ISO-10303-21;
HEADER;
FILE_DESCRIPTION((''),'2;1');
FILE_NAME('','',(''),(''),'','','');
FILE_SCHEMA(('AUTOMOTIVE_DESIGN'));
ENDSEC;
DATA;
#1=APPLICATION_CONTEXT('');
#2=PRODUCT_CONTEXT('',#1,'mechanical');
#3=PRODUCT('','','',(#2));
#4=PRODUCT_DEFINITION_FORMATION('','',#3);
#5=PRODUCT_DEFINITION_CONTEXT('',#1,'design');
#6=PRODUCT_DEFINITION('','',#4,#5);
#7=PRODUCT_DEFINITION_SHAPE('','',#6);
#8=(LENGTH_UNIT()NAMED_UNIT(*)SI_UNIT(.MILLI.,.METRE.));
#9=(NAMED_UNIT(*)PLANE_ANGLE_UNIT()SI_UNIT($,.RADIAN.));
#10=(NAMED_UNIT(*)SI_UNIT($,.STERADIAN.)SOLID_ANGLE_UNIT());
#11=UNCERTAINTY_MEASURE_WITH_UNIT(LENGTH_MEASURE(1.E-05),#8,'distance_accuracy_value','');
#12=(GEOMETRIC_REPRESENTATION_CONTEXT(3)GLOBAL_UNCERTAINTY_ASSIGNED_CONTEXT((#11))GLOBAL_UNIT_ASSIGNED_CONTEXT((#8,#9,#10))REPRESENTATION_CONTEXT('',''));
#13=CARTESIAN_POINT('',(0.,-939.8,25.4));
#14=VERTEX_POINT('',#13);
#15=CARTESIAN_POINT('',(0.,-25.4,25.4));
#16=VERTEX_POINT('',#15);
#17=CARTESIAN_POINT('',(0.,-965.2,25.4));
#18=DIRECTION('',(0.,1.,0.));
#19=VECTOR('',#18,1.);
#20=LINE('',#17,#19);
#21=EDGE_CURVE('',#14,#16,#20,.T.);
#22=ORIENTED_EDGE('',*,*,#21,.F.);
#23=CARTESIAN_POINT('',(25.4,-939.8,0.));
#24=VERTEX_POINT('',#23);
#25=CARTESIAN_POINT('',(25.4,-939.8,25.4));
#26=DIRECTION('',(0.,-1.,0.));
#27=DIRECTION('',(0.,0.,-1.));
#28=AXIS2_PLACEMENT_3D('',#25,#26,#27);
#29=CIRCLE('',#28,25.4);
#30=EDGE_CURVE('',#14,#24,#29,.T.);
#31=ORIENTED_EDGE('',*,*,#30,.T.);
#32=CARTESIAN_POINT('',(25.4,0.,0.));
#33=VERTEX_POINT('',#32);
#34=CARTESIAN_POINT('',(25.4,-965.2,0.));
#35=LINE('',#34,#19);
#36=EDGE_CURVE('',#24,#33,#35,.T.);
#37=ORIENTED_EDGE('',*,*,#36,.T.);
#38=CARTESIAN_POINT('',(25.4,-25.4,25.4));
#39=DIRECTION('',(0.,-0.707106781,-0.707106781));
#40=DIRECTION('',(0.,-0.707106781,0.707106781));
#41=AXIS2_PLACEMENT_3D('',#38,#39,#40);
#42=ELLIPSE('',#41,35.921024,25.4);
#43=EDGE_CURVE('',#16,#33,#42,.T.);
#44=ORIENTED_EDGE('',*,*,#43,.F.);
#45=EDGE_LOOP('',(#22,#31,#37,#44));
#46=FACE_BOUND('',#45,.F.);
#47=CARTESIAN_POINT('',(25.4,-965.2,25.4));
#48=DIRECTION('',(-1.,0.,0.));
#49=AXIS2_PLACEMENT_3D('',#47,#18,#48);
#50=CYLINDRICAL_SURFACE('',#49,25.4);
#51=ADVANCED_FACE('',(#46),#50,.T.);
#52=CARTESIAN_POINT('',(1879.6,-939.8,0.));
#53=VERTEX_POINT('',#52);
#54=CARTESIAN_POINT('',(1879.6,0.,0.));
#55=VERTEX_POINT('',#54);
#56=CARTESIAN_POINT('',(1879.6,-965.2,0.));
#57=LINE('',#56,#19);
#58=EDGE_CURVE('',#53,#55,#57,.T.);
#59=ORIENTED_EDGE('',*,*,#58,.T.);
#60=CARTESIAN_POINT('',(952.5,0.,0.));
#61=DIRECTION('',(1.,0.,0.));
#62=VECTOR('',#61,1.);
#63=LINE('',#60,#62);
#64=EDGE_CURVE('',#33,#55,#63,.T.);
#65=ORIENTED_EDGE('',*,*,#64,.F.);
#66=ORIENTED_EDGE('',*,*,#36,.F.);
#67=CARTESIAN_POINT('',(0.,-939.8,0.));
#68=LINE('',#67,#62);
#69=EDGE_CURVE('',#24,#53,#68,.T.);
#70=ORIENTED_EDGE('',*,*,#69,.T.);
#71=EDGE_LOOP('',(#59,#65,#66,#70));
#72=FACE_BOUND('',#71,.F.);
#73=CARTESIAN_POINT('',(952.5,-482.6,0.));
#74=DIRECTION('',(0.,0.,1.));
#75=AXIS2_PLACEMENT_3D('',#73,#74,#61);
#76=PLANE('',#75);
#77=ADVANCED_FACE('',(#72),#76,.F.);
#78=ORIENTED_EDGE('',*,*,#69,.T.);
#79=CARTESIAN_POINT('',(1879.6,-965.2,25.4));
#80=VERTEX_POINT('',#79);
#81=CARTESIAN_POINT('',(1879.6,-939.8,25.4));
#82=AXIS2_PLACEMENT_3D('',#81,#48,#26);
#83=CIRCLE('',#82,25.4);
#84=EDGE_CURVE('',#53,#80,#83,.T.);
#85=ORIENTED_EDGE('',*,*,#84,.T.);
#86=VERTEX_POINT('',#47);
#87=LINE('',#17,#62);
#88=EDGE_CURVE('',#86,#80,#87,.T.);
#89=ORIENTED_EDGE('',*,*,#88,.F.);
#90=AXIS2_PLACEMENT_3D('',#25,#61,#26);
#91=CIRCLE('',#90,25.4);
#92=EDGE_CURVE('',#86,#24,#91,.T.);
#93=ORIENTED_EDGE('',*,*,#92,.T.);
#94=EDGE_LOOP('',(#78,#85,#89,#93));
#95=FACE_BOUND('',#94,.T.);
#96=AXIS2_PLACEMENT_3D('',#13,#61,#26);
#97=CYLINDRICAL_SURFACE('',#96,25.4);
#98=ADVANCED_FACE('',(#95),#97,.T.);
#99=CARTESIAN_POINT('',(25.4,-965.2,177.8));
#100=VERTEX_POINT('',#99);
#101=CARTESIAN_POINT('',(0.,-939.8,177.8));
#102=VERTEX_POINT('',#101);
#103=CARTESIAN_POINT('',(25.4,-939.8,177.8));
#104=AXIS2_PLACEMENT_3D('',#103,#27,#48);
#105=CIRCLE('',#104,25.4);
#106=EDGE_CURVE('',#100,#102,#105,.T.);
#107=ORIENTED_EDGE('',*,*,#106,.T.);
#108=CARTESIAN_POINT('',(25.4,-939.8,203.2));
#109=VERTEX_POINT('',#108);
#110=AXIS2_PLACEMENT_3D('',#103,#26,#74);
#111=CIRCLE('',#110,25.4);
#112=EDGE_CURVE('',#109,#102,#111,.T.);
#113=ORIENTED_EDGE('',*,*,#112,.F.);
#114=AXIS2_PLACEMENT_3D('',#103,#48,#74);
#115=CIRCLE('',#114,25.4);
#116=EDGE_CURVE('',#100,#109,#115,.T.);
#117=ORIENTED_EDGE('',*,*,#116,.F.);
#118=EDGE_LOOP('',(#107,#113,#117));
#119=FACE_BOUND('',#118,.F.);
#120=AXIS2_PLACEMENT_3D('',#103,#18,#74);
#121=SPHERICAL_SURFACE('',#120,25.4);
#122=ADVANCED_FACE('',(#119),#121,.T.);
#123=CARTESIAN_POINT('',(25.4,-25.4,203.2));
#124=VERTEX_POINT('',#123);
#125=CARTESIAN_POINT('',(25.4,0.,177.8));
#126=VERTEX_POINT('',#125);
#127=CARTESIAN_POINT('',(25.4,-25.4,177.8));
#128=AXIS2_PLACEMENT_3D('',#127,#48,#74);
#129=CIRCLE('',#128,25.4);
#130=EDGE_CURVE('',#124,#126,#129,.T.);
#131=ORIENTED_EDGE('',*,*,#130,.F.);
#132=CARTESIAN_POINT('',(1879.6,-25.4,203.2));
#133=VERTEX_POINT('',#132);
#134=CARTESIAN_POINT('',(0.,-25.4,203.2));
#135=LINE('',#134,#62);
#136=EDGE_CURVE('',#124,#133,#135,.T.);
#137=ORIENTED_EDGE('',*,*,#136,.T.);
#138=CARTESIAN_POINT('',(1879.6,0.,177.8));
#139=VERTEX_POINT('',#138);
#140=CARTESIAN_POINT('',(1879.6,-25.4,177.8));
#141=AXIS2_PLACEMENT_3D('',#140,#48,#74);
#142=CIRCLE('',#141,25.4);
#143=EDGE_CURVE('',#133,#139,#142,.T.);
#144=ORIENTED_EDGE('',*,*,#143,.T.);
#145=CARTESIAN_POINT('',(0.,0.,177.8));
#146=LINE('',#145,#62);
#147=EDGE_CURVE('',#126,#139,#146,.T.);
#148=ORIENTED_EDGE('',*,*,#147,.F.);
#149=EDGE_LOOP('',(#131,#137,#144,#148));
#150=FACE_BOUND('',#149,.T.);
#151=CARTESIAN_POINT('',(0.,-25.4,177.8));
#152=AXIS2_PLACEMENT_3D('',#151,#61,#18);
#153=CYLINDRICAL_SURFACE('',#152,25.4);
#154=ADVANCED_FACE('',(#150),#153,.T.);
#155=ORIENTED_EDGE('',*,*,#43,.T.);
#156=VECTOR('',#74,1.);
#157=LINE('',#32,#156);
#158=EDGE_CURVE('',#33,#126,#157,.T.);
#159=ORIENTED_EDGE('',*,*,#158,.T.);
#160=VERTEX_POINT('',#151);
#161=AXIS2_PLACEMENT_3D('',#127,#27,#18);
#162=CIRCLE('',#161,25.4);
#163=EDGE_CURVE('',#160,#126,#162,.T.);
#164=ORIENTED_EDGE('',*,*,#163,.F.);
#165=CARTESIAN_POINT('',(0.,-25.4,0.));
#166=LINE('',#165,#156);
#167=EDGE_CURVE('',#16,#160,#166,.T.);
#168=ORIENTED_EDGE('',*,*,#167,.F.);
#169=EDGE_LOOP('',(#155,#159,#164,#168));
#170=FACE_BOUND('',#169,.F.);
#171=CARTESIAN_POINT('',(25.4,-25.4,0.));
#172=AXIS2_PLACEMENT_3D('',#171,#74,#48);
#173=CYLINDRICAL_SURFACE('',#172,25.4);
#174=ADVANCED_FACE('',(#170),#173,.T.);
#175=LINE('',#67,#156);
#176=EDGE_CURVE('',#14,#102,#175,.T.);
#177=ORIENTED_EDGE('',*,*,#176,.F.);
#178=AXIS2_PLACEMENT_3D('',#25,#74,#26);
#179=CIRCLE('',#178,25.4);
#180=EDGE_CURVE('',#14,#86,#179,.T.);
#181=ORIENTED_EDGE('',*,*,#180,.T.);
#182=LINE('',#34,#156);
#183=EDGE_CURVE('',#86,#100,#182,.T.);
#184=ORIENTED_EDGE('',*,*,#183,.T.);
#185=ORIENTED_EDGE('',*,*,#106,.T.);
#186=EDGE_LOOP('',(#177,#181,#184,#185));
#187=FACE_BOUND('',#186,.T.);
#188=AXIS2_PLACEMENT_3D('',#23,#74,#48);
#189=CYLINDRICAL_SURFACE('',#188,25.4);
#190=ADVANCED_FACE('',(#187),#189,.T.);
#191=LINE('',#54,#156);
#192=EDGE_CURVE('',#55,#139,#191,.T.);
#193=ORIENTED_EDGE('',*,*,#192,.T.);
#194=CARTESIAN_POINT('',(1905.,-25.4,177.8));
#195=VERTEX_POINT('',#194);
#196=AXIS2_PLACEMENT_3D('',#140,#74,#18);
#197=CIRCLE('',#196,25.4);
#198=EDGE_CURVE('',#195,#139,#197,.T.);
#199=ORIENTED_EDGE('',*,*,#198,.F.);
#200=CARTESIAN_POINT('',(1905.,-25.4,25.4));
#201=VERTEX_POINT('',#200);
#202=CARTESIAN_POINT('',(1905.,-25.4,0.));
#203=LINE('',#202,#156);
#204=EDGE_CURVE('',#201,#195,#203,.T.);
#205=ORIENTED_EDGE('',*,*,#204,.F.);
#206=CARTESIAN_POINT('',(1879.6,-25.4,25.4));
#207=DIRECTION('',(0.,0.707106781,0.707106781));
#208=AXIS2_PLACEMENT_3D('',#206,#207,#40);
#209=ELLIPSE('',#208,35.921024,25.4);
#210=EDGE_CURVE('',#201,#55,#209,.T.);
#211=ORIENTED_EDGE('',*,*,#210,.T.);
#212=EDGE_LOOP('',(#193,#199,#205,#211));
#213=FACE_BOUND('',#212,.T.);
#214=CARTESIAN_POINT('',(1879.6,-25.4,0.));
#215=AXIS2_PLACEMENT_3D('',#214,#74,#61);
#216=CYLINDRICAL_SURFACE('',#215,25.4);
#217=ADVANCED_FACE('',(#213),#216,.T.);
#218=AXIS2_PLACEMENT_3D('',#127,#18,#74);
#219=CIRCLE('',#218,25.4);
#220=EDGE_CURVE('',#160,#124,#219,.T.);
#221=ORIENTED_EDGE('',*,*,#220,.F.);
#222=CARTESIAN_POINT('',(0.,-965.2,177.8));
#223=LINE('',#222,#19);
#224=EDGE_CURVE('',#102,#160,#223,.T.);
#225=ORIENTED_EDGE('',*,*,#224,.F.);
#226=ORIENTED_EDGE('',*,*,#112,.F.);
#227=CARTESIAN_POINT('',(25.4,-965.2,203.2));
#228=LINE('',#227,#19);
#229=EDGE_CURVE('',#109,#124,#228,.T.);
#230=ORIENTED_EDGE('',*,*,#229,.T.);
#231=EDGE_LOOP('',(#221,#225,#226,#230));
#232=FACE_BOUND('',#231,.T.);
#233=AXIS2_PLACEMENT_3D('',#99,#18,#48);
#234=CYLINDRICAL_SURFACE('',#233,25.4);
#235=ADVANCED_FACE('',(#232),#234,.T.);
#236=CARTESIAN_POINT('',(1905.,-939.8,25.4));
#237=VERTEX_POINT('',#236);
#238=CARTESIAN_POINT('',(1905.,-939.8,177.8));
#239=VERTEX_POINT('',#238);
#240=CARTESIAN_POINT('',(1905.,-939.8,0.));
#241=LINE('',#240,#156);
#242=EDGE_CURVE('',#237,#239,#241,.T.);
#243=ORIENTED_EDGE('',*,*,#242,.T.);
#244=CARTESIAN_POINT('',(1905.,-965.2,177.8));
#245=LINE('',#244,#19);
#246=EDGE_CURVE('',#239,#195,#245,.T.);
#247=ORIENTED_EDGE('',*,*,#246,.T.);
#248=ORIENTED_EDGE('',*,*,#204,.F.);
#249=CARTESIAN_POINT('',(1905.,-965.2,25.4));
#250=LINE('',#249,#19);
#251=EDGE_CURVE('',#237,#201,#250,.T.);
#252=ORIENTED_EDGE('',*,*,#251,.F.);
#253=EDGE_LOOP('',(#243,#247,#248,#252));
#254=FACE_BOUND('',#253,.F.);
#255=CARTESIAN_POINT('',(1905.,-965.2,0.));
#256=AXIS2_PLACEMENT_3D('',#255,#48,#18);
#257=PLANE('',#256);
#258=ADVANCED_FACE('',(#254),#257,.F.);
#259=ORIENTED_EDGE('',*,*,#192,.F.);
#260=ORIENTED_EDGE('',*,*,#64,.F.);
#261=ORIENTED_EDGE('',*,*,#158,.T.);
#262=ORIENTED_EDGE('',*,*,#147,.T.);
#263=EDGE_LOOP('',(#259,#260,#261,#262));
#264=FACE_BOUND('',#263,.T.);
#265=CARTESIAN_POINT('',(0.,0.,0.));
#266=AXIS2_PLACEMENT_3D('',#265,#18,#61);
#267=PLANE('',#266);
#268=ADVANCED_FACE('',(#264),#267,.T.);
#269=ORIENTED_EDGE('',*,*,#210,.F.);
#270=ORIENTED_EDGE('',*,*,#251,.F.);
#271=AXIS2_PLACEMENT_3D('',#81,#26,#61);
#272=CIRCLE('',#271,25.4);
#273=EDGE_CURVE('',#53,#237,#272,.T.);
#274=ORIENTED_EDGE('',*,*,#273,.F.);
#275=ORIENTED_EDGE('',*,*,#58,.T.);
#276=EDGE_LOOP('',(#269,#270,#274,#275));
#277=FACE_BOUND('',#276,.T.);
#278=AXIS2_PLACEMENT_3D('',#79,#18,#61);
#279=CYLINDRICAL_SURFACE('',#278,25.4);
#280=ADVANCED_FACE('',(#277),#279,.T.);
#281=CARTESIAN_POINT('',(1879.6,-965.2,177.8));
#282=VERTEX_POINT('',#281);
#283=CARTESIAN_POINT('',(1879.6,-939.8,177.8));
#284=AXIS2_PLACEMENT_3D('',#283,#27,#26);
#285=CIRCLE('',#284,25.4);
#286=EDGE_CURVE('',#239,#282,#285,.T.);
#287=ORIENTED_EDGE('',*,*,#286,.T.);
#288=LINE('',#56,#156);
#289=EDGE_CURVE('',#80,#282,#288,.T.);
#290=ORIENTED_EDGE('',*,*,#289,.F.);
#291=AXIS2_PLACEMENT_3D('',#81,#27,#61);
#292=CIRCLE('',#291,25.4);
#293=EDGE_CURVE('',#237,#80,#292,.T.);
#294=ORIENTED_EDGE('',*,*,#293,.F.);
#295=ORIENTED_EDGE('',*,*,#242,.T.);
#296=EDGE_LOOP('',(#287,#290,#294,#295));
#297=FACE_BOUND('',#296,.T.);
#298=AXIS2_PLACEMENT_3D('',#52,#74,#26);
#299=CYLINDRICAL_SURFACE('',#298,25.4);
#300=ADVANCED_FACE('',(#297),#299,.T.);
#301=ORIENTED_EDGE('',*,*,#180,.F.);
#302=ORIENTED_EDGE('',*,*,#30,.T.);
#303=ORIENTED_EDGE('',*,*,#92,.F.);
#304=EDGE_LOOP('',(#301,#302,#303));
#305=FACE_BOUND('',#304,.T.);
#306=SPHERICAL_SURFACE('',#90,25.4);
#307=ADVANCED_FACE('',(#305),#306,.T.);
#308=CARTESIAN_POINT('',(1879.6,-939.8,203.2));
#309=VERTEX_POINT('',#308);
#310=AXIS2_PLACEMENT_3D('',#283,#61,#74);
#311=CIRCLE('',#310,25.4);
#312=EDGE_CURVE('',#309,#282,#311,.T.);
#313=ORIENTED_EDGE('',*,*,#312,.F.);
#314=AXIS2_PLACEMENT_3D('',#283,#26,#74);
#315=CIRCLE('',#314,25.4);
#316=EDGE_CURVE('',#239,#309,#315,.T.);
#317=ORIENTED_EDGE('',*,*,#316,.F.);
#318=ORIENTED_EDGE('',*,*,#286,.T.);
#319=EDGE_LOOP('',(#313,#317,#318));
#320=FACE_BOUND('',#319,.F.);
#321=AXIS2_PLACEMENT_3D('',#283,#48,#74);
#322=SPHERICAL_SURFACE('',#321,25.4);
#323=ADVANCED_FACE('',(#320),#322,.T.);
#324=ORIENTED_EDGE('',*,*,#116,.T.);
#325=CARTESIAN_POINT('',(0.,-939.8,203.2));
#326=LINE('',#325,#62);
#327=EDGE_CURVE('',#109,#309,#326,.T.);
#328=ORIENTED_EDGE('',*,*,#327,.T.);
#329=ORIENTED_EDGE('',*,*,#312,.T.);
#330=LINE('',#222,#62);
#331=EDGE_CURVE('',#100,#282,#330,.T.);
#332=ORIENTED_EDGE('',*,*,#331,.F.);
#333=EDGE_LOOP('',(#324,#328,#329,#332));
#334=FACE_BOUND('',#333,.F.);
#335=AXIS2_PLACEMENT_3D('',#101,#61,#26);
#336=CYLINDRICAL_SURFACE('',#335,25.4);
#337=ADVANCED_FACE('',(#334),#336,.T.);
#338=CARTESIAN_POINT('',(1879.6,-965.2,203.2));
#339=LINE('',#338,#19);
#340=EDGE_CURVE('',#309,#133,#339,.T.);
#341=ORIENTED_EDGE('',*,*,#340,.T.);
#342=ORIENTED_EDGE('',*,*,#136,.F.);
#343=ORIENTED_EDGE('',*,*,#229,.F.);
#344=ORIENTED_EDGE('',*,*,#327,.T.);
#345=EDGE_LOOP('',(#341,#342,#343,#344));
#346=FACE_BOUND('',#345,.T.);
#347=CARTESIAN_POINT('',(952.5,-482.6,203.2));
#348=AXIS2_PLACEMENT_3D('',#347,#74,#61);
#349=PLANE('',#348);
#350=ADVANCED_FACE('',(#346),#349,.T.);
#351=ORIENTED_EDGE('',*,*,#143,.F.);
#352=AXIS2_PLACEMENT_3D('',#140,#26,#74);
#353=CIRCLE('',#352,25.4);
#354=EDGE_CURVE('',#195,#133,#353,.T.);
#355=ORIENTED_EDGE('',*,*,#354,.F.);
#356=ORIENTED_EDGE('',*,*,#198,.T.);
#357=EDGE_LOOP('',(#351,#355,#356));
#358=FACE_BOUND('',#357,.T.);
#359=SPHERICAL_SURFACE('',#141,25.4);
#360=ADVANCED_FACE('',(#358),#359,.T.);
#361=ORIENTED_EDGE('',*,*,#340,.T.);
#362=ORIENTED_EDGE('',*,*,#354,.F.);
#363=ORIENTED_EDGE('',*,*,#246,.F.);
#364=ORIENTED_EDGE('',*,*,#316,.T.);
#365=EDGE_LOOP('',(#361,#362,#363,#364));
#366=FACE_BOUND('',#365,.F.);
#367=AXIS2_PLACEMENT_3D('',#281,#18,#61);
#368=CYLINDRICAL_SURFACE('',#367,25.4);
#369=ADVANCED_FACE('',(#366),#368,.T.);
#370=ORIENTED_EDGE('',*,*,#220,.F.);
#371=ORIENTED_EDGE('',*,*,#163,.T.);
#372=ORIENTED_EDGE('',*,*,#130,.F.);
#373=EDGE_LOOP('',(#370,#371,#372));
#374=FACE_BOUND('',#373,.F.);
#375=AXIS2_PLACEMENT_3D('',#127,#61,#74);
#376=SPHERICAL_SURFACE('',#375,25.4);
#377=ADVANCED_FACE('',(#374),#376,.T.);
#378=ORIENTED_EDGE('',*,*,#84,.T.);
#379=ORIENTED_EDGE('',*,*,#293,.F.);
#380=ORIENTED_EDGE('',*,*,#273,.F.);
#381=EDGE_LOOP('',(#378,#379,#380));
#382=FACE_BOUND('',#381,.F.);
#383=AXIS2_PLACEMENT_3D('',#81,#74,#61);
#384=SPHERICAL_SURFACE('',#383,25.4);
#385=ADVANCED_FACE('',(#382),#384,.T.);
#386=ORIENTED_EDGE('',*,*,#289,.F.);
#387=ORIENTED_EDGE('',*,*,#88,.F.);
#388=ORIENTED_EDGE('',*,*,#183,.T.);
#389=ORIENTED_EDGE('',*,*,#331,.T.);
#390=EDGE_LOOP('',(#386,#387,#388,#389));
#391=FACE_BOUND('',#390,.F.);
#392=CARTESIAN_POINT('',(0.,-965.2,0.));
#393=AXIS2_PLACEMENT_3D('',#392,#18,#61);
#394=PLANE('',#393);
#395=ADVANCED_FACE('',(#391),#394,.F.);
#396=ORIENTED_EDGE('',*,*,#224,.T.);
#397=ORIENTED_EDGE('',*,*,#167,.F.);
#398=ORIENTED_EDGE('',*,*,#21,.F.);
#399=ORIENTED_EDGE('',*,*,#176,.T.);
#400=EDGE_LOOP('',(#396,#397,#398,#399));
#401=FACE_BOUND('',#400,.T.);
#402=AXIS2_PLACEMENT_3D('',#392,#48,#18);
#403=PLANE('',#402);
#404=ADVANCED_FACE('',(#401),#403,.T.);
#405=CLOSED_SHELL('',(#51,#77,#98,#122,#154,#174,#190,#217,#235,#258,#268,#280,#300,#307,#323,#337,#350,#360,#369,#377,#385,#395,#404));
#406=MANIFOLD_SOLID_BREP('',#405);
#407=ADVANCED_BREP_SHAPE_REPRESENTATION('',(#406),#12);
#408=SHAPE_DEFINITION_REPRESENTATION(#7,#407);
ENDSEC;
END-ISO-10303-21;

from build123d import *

# Parameters (mm, degrees)
F0_W     = 1905
F0_H     = 965.2
F1_DEPTH = 203.2
F2_R     = 25.4


with BuildPart() as f1:
    # F0 (on Top) → F1 (new body)
    with BuildSketch(Plane.XY):
        with Locations((952.5, -482.6)):
            Rectangle(F0_W, F0_H)
    extrude(amount=F1_DEPTH)

    # F2
    f2_edges = [f1.edges().sort_by_distance(p)[0] for p in [
        (952.5, 0, 203.2),
        (0, -482.6, 203.2),
        (952.5, -965.2, 203.2),
        (1905, -482.6, 203.2),
        (1905, -965.2, 101.6),
        (1905, 0, 101.6),
        (1905, -482.6, 0),
        (952.5, -965.2, 0),
        (0, 0, 101.6),
        (0, -965.2, 101.6),
        (0, -482.6, 0),
    ]]
    fillet(f2_edges, radius=F2_R)


solid = f1.part
